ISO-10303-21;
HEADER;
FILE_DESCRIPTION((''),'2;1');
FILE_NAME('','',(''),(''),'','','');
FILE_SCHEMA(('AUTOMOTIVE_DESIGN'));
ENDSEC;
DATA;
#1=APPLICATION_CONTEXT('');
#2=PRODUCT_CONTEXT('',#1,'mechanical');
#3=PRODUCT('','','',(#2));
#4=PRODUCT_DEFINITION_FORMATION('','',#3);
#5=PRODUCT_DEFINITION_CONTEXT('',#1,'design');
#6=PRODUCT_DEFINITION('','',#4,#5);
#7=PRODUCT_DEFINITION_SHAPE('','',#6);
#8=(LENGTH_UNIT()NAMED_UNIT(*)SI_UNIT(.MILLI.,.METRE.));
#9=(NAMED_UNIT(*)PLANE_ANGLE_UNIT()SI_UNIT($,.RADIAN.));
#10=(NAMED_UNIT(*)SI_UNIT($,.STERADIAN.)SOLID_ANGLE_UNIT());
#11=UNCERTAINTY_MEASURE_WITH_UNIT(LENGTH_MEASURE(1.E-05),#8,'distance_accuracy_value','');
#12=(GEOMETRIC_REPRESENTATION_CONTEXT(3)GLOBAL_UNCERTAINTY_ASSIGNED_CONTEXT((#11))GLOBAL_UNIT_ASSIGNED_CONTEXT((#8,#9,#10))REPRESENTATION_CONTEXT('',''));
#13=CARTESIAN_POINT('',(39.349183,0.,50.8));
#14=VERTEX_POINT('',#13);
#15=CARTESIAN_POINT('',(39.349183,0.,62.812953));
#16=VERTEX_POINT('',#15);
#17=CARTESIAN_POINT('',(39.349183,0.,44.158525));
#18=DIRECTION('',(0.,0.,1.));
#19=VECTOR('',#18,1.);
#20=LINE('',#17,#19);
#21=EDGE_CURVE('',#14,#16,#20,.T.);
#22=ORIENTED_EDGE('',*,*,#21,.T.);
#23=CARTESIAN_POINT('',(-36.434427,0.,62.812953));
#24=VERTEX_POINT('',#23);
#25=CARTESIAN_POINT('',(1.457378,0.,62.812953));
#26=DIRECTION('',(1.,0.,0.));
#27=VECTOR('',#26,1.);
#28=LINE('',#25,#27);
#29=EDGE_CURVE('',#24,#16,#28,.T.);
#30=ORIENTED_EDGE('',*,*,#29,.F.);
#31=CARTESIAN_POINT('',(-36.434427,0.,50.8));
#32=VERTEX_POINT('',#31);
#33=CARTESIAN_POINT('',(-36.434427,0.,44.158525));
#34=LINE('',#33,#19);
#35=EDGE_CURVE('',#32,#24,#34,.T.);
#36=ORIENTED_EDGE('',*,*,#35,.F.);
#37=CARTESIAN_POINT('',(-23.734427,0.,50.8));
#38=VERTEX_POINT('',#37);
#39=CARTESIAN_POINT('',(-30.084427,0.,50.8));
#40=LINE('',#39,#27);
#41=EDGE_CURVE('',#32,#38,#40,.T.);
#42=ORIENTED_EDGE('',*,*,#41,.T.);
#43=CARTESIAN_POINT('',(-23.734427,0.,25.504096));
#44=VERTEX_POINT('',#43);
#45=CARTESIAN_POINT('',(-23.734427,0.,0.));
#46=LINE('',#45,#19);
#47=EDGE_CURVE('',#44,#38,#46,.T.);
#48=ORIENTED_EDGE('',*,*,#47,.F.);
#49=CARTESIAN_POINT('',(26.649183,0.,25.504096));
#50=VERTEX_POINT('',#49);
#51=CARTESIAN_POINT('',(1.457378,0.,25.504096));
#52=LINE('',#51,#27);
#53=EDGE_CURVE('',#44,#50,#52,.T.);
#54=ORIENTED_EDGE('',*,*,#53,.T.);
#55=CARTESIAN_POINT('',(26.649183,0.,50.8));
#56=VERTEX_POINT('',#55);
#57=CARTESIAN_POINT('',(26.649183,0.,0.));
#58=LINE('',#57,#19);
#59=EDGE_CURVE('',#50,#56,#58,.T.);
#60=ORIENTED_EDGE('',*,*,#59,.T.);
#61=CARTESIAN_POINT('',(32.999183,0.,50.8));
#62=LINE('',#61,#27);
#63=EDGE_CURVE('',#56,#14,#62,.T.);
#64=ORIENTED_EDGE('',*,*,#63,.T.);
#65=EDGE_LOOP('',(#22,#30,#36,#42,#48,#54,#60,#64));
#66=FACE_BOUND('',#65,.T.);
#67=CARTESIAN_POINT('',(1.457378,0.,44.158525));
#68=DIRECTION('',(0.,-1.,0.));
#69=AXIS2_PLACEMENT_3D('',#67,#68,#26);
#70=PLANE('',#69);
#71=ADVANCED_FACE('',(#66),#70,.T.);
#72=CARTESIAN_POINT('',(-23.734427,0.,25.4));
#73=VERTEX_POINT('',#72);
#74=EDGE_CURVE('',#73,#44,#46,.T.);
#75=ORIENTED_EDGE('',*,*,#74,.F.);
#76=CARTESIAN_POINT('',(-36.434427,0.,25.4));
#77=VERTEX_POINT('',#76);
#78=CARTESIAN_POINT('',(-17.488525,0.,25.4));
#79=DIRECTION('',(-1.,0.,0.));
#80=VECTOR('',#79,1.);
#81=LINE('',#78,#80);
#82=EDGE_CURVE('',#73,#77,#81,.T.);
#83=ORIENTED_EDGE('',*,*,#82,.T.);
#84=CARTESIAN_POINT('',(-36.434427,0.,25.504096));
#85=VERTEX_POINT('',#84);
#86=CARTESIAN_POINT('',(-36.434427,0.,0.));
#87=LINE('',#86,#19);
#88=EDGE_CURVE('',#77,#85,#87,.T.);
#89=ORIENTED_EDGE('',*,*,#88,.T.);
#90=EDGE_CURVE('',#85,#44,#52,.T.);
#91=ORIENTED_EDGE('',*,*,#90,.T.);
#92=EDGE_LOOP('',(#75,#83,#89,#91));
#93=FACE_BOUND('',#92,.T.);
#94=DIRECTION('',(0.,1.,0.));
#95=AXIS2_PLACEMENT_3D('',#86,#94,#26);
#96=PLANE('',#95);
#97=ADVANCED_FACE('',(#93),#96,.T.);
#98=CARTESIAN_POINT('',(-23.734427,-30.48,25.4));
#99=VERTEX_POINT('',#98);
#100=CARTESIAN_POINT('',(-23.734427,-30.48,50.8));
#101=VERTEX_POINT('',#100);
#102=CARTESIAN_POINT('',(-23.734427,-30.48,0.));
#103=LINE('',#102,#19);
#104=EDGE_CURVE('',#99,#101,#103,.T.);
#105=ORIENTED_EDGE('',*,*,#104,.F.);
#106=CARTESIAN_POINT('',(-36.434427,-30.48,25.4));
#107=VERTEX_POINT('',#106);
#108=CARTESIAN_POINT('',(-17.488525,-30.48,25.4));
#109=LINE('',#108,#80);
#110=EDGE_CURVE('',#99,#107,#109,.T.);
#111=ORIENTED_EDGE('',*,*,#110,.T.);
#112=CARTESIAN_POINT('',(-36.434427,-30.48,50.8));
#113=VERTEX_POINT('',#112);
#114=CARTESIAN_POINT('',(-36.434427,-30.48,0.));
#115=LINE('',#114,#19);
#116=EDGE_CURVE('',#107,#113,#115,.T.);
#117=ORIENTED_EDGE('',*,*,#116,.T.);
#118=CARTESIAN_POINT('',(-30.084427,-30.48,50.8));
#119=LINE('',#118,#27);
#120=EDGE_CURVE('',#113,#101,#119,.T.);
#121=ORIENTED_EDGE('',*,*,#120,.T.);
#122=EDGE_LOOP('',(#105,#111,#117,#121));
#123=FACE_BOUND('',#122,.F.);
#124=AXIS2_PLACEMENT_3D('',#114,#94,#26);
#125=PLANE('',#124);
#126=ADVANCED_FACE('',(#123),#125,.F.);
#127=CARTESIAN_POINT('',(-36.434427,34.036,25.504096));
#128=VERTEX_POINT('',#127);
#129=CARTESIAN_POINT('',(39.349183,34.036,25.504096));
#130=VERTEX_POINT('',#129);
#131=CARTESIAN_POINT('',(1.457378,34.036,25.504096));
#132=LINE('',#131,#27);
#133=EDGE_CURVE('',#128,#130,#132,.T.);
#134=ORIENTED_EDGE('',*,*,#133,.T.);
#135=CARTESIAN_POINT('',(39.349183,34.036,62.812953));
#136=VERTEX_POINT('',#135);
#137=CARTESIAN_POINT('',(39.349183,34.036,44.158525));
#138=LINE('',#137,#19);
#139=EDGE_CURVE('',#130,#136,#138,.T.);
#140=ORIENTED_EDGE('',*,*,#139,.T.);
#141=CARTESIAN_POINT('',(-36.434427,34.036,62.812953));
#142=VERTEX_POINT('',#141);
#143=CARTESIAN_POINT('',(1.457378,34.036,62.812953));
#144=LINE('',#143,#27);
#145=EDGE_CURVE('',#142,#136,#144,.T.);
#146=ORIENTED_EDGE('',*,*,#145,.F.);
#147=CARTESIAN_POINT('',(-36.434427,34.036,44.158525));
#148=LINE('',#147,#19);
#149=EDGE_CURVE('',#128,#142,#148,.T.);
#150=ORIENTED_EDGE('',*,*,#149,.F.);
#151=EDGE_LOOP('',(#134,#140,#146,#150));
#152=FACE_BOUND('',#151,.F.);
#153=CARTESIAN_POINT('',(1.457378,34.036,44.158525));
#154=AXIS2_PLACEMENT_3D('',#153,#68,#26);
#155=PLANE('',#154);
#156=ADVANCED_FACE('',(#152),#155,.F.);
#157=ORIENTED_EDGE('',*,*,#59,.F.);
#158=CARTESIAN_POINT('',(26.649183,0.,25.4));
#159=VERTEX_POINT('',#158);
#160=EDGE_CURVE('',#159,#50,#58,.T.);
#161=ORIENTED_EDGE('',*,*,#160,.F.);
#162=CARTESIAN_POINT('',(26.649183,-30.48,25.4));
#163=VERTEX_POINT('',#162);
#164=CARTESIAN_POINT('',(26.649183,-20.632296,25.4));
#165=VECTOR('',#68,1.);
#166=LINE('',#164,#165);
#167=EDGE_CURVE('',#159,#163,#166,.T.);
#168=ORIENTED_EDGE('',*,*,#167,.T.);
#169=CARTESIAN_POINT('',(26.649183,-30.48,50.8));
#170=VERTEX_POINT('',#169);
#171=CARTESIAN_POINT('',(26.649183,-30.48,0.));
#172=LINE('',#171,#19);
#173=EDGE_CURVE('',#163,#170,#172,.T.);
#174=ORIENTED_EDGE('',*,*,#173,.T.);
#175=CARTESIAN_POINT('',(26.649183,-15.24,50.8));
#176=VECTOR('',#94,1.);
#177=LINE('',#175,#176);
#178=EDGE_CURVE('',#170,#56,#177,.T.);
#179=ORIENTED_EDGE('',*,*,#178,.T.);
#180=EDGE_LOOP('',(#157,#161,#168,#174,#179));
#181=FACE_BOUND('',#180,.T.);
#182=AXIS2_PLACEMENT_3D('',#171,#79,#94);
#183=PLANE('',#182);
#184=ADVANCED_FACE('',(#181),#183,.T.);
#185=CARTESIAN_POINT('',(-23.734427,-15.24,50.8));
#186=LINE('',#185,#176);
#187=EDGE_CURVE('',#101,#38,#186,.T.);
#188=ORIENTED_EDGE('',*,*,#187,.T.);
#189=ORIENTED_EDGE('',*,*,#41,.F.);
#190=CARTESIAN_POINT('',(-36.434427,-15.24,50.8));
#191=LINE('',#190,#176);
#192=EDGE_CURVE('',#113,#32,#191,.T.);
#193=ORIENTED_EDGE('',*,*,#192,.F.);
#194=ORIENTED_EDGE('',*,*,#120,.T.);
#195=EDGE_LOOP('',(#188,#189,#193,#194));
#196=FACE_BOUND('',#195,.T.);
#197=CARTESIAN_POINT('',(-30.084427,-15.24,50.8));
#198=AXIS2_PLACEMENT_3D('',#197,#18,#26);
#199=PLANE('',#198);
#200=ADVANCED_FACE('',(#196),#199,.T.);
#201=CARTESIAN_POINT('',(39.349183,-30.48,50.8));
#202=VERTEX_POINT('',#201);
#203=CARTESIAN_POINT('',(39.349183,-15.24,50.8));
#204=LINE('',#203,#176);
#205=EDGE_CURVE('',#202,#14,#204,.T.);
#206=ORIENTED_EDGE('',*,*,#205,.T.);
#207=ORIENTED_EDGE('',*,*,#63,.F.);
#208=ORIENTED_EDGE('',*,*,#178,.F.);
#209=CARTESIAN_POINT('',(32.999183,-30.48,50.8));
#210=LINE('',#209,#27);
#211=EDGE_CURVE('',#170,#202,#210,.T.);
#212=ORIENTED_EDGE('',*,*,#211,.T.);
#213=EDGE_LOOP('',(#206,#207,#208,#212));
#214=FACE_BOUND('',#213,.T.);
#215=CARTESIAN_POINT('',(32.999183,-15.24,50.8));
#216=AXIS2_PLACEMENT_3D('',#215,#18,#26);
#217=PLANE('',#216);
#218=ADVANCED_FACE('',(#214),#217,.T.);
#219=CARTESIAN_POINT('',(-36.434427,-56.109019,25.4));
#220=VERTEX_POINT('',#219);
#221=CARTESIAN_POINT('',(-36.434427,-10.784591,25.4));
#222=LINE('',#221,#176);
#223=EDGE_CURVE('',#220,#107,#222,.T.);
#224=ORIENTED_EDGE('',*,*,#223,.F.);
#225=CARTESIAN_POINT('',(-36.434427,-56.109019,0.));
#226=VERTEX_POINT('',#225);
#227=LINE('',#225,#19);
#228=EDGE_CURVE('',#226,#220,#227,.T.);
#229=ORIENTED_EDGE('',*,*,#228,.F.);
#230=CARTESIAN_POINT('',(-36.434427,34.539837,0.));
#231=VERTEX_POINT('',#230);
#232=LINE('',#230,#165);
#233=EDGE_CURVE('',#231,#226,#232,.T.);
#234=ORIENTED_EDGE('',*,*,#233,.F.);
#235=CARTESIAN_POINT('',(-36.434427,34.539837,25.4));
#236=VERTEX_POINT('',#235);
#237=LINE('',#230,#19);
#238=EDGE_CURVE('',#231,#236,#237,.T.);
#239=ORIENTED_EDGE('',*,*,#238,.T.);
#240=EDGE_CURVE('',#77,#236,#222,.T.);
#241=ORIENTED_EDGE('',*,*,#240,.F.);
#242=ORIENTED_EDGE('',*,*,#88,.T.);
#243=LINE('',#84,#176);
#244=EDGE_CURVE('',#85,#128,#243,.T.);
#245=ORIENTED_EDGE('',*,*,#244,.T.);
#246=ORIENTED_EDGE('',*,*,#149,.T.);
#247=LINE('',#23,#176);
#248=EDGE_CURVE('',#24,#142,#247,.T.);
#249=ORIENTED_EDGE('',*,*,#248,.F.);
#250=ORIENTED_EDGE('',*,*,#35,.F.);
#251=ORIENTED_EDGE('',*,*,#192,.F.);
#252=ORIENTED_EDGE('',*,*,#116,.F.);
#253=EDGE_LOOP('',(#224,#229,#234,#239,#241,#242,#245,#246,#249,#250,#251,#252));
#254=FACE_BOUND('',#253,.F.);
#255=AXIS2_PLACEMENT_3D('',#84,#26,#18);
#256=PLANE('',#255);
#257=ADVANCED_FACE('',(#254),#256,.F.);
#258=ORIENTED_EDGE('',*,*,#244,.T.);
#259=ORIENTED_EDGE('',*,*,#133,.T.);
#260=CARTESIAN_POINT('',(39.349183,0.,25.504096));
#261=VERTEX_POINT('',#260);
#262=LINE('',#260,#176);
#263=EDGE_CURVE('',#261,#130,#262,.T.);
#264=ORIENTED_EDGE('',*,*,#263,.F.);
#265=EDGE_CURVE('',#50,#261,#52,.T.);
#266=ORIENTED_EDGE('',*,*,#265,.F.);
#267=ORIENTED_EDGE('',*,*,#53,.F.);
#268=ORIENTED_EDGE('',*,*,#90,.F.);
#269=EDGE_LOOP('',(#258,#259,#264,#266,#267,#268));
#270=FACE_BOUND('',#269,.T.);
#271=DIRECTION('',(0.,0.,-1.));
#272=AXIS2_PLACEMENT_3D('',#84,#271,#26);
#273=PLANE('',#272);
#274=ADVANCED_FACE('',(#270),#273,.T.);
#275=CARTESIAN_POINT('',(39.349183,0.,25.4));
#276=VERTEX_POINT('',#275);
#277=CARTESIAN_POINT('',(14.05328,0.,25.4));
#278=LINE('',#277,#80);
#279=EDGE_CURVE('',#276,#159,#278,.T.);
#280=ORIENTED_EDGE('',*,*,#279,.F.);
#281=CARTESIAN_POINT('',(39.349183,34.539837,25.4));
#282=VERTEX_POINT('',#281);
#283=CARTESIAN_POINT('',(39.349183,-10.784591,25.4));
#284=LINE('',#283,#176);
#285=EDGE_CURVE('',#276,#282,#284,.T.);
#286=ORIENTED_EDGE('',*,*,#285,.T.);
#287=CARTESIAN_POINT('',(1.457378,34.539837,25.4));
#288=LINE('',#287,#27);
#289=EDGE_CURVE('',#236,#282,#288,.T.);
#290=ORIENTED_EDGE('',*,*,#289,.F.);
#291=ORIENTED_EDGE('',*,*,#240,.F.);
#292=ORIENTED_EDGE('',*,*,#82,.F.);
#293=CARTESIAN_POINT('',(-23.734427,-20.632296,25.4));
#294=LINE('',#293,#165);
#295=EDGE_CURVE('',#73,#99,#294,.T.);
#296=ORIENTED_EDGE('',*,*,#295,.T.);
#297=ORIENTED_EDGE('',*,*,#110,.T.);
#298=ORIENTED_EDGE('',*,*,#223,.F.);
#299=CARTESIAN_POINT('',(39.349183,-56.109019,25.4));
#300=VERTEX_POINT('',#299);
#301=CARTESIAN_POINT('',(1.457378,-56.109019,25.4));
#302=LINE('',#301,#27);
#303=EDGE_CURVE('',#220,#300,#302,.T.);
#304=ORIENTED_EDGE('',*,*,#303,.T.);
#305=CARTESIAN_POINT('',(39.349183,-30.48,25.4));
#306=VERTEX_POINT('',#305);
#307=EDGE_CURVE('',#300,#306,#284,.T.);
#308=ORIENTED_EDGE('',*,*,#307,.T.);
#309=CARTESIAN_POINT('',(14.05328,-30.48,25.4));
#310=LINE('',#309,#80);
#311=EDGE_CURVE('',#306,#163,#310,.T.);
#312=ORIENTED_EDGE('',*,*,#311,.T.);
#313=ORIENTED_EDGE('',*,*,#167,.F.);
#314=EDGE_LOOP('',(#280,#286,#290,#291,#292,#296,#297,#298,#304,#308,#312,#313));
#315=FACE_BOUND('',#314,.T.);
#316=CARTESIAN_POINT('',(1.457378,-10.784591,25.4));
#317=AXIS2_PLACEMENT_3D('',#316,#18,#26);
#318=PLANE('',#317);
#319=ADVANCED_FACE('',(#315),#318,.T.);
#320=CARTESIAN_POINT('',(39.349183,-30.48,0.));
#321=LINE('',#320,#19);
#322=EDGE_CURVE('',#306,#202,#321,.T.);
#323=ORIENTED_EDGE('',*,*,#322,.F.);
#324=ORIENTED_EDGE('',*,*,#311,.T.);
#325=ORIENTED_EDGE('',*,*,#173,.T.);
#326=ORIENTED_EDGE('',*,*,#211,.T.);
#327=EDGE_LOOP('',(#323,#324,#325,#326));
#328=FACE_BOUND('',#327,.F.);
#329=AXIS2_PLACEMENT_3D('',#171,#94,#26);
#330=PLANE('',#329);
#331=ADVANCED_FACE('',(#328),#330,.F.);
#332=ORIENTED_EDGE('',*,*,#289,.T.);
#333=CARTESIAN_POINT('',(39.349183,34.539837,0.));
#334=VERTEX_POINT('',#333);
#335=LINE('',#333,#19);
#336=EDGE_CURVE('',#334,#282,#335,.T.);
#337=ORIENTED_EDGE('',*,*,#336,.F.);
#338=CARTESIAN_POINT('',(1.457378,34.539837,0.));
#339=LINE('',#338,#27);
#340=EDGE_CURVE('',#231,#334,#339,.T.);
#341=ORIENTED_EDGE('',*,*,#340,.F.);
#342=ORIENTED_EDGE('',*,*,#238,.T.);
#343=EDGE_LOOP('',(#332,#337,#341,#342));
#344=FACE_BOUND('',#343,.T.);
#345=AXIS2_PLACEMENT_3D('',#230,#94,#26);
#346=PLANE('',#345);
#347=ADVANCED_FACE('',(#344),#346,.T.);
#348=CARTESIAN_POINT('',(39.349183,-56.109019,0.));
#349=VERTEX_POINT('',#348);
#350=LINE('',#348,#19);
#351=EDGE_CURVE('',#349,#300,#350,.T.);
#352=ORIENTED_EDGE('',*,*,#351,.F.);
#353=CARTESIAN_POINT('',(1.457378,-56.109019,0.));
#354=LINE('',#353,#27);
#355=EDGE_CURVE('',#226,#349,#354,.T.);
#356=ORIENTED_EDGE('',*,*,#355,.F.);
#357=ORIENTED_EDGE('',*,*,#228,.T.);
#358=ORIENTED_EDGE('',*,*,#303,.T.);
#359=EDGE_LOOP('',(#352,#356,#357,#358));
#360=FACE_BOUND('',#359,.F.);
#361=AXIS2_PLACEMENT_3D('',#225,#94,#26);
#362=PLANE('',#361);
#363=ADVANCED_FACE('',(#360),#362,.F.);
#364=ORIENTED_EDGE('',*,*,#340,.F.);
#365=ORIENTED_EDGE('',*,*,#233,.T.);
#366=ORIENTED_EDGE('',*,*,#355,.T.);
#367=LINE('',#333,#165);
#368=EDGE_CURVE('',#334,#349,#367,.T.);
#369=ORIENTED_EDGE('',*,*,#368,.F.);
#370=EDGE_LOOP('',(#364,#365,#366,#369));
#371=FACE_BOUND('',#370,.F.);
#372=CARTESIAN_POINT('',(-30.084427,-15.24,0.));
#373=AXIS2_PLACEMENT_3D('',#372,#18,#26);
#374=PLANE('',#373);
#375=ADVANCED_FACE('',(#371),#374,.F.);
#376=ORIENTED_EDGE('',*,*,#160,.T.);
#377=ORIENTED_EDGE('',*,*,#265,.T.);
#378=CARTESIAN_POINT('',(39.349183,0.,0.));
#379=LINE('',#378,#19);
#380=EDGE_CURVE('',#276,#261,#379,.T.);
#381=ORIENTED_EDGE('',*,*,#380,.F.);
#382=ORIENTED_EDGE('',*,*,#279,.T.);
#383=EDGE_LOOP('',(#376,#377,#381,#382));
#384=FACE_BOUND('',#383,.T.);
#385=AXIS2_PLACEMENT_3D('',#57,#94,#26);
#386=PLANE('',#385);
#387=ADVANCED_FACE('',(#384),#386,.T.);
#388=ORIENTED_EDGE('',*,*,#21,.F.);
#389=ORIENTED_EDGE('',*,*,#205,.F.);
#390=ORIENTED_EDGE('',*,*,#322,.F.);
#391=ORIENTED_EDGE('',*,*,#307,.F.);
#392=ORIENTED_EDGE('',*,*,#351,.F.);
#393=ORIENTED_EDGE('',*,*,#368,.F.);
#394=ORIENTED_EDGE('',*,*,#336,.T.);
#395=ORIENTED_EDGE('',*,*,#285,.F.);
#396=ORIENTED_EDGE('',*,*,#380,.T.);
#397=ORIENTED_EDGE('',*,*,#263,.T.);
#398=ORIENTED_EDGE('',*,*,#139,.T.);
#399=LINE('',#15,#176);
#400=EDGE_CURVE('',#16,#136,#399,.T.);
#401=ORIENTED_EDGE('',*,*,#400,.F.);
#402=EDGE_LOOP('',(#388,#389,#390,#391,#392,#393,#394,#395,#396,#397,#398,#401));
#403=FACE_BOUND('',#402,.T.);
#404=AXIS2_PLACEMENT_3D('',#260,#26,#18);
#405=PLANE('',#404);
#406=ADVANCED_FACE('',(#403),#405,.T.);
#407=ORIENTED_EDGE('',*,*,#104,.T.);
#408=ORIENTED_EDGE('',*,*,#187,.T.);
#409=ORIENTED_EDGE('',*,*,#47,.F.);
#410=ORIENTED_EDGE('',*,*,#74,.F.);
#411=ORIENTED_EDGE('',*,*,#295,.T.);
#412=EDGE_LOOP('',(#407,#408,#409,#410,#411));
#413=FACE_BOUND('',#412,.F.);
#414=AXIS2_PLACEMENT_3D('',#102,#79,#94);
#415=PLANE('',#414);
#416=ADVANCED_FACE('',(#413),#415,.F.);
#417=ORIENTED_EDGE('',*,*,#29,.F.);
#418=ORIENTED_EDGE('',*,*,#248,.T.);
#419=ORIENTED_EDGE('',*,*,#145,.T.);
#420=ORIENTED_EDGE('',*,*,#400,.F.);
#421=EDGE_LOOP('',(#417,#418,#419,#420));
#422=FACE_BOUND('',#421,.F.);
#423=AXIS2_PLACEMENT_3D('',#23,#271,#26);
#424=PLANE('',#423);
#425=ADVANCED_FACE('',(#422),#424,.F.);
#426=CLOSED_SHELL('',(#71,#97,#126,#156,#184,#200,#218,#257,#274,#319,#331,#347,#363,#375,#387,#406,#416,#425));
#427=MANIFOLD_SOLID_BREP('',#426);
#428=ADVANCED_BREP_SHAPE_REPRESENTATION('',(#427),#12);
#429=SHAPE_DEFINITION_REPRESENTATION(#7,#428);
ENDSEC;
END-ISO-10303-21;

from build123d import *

# Parameters (mm, degrees)
F0_W     = 75.78361
F0_H     = 90.648856
F1_DEPTH = 25.4
F2_W     = 12.7
F2_H     = 30.48
F3_DEPTH = 50.8
F4_W     = 75.78361
F4_H     = 37.308857
F5_DEPTH = 34.036


with BuildPart() as f1:
    # F0 (on Top) → F1 (new body)
    with BuildSketch(Plane.XY):
        with Locations((1.457378, -10.784591)):
            Rectangle(F0_W, F0_H)
    extrude(amount=F1_DEPTH)

    # F2 (on Top) → F3 (join)
    with BuildSketch(Plane.XY):
        with Locations((-30.084427, -15.24)):
            Rectangle(F2_W, F2_H)
        with Locations((32.999183, -15.24)):
            Rectangle(F2_W, F2_H)
    extrude(amount=F3_DEPTH)

    # F4 (on Front) → F5 (join)
    with BuildSketch(Plane.XZ):
        with Locations((1.457378, 44.158525)):
            Rectangle(F4_W, F4_H)
    extrude(amount=-F5_DEPTH)


solid = f1.part
